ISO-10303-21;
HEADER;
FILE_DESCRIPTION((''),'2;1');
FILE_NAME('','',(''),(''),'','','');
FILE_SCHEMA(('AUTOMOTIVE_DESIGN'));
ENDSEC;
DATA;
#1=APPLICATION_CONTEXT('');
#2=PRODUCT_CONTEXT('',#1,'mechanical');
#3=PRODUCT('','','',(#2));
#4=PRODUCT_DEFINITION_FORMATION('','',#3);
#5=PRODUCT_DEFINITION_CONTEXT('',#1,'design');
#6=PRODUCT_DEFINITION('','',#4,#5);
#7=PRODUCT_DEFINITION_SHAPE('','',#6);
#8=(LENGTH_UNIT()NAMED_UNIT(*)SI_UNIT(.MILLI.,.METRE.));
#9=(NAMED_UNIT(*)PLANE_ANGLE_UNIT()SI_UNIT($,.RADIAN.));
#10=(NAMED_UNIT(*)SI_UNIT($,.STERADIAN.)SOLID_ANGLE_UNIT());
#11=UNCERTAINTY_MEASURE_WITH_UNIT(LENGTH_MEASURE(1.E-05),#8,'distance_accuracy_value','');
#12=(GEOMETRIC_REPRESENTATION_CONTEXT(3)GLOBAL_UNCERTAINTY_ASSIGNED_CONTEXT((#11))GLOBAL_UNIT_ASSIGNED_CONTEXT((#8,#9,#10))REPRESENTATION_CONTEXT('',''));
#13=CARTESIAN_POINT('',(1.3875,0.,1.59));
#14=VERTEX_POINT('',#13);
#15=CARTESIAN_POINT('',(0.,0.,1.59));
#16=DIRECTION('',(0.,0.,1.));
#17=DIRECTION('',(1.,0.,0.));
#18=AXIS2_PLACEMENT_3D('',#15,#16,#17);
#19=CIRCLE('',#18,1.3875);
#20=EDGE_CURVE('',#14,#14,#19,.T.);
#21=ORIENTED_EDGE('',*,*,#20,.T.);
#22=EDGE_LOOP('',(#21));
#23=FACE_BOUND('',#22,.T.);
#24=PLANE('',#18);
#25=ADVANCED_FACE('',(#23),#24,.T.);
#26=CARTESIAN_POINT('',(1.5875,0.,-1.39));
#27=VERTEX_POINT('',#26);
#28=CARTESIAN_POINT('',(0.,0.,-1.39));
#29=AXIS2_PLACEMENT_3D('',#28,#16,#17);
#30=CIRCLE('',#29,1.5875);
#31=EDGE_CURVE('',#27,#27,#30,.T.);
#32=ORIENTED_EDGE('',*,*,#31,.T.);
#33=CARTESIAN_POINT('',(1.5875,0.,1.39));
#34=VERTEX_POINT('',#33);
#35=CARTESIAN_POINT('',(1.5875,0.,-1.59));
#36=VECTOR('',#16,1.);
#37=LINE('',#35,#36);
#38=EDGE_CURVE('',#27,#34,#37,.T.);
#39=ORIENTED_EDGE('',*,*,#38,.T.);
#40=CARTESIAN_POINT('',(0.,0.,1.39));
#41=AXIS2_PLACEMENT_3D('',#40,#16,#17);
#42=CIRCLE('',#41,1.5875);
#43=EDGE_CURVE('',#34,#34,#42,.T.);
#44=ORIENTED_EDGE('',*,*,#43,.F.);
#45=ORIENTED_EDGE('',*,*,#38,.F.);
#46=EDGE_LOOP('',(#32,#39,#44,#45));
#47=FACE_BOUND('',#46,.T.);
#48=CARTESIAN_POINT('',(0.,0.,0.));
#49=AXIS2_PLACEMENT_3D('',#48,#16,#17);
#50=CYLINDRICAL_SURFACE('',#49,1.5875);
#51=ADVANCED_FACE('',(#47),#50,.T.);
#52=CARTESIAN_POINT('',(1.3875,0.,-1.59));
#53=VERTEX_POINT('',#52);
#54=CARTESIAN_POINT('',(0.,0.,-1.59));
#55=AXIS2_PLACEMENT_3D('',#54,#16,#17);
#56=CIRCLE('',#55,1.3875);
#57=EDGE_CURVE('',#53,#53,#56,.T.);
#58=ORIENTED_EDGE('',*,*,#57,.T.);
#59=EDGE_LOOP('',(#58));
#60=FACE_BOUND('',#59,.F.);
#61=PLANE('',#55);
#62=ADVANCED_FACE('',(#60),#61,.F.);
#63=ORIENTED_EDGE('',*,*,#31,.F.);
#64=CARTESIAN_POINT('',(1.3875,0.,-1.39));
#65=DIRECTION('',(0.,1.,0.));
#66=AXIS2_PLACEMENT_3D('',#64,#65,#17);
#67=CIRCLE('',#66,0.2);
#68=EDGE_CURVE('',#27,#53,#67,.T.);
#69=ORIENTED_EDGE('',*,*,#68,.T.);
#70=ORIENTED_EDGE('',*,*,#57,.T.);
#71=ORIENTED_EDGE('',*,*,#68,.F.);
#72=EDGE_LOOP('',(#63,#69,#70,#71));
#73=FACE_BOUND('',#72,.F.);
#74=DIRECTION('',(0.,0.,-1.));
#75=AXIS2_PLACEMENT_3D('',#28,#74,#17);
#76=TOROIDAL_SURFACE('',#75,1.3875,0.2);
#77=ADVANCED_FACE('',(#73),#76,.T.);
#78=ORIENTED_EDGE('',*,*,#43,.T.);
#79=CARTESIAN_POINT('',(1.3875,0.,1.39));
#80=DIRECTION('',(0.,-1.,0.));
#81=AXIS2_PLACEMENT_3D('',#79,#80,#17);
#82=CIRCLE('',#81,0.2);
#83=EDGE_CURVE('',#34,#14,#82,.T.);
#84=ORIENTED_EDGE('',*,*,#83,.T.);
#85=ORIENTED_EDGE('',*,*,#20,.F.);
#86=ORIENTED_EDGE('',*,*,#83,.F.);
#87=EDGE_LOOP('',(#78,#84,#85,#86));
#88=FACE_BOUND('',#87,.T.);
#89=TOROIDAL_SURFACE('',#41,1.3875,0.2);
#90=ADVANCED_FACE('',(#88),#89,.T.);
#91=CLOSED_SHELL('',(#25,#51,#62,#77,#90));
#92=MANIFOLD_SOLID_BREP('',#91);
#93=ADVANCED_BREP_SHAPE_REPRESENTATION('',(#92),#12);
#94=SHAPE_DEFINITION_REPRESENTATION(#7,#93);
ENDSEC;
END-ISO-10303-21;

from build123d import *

# Parameters (mm, degrees)
SKETCH_R       = 1.5875
PAD_DEPTH      = 1.59
PAD_DEPTH_BACK = 1.59
FILLET_R       = 0.2


with BuildPart() as part:
    # Sketch → Pad (new body, two sides)
    with BuildSketch(Plane.XY) as pad_sk:
        Circle(SKETCH_R)
    extrude(amount=PAD_DEPTH)
    extrude(pad_sk.sketch, amount=-PAD_DEPTH_BACK)

    # Fillet
    fillet_edges = [part.edges().sort_by_distance(p)[0] for p in [
        (-1.5875, 0, 1.59),
        (-1.5875, 0, -1.59),
    ]]
    fillet(fillet_edges, radius=FILLET_R)


solid = part.part
